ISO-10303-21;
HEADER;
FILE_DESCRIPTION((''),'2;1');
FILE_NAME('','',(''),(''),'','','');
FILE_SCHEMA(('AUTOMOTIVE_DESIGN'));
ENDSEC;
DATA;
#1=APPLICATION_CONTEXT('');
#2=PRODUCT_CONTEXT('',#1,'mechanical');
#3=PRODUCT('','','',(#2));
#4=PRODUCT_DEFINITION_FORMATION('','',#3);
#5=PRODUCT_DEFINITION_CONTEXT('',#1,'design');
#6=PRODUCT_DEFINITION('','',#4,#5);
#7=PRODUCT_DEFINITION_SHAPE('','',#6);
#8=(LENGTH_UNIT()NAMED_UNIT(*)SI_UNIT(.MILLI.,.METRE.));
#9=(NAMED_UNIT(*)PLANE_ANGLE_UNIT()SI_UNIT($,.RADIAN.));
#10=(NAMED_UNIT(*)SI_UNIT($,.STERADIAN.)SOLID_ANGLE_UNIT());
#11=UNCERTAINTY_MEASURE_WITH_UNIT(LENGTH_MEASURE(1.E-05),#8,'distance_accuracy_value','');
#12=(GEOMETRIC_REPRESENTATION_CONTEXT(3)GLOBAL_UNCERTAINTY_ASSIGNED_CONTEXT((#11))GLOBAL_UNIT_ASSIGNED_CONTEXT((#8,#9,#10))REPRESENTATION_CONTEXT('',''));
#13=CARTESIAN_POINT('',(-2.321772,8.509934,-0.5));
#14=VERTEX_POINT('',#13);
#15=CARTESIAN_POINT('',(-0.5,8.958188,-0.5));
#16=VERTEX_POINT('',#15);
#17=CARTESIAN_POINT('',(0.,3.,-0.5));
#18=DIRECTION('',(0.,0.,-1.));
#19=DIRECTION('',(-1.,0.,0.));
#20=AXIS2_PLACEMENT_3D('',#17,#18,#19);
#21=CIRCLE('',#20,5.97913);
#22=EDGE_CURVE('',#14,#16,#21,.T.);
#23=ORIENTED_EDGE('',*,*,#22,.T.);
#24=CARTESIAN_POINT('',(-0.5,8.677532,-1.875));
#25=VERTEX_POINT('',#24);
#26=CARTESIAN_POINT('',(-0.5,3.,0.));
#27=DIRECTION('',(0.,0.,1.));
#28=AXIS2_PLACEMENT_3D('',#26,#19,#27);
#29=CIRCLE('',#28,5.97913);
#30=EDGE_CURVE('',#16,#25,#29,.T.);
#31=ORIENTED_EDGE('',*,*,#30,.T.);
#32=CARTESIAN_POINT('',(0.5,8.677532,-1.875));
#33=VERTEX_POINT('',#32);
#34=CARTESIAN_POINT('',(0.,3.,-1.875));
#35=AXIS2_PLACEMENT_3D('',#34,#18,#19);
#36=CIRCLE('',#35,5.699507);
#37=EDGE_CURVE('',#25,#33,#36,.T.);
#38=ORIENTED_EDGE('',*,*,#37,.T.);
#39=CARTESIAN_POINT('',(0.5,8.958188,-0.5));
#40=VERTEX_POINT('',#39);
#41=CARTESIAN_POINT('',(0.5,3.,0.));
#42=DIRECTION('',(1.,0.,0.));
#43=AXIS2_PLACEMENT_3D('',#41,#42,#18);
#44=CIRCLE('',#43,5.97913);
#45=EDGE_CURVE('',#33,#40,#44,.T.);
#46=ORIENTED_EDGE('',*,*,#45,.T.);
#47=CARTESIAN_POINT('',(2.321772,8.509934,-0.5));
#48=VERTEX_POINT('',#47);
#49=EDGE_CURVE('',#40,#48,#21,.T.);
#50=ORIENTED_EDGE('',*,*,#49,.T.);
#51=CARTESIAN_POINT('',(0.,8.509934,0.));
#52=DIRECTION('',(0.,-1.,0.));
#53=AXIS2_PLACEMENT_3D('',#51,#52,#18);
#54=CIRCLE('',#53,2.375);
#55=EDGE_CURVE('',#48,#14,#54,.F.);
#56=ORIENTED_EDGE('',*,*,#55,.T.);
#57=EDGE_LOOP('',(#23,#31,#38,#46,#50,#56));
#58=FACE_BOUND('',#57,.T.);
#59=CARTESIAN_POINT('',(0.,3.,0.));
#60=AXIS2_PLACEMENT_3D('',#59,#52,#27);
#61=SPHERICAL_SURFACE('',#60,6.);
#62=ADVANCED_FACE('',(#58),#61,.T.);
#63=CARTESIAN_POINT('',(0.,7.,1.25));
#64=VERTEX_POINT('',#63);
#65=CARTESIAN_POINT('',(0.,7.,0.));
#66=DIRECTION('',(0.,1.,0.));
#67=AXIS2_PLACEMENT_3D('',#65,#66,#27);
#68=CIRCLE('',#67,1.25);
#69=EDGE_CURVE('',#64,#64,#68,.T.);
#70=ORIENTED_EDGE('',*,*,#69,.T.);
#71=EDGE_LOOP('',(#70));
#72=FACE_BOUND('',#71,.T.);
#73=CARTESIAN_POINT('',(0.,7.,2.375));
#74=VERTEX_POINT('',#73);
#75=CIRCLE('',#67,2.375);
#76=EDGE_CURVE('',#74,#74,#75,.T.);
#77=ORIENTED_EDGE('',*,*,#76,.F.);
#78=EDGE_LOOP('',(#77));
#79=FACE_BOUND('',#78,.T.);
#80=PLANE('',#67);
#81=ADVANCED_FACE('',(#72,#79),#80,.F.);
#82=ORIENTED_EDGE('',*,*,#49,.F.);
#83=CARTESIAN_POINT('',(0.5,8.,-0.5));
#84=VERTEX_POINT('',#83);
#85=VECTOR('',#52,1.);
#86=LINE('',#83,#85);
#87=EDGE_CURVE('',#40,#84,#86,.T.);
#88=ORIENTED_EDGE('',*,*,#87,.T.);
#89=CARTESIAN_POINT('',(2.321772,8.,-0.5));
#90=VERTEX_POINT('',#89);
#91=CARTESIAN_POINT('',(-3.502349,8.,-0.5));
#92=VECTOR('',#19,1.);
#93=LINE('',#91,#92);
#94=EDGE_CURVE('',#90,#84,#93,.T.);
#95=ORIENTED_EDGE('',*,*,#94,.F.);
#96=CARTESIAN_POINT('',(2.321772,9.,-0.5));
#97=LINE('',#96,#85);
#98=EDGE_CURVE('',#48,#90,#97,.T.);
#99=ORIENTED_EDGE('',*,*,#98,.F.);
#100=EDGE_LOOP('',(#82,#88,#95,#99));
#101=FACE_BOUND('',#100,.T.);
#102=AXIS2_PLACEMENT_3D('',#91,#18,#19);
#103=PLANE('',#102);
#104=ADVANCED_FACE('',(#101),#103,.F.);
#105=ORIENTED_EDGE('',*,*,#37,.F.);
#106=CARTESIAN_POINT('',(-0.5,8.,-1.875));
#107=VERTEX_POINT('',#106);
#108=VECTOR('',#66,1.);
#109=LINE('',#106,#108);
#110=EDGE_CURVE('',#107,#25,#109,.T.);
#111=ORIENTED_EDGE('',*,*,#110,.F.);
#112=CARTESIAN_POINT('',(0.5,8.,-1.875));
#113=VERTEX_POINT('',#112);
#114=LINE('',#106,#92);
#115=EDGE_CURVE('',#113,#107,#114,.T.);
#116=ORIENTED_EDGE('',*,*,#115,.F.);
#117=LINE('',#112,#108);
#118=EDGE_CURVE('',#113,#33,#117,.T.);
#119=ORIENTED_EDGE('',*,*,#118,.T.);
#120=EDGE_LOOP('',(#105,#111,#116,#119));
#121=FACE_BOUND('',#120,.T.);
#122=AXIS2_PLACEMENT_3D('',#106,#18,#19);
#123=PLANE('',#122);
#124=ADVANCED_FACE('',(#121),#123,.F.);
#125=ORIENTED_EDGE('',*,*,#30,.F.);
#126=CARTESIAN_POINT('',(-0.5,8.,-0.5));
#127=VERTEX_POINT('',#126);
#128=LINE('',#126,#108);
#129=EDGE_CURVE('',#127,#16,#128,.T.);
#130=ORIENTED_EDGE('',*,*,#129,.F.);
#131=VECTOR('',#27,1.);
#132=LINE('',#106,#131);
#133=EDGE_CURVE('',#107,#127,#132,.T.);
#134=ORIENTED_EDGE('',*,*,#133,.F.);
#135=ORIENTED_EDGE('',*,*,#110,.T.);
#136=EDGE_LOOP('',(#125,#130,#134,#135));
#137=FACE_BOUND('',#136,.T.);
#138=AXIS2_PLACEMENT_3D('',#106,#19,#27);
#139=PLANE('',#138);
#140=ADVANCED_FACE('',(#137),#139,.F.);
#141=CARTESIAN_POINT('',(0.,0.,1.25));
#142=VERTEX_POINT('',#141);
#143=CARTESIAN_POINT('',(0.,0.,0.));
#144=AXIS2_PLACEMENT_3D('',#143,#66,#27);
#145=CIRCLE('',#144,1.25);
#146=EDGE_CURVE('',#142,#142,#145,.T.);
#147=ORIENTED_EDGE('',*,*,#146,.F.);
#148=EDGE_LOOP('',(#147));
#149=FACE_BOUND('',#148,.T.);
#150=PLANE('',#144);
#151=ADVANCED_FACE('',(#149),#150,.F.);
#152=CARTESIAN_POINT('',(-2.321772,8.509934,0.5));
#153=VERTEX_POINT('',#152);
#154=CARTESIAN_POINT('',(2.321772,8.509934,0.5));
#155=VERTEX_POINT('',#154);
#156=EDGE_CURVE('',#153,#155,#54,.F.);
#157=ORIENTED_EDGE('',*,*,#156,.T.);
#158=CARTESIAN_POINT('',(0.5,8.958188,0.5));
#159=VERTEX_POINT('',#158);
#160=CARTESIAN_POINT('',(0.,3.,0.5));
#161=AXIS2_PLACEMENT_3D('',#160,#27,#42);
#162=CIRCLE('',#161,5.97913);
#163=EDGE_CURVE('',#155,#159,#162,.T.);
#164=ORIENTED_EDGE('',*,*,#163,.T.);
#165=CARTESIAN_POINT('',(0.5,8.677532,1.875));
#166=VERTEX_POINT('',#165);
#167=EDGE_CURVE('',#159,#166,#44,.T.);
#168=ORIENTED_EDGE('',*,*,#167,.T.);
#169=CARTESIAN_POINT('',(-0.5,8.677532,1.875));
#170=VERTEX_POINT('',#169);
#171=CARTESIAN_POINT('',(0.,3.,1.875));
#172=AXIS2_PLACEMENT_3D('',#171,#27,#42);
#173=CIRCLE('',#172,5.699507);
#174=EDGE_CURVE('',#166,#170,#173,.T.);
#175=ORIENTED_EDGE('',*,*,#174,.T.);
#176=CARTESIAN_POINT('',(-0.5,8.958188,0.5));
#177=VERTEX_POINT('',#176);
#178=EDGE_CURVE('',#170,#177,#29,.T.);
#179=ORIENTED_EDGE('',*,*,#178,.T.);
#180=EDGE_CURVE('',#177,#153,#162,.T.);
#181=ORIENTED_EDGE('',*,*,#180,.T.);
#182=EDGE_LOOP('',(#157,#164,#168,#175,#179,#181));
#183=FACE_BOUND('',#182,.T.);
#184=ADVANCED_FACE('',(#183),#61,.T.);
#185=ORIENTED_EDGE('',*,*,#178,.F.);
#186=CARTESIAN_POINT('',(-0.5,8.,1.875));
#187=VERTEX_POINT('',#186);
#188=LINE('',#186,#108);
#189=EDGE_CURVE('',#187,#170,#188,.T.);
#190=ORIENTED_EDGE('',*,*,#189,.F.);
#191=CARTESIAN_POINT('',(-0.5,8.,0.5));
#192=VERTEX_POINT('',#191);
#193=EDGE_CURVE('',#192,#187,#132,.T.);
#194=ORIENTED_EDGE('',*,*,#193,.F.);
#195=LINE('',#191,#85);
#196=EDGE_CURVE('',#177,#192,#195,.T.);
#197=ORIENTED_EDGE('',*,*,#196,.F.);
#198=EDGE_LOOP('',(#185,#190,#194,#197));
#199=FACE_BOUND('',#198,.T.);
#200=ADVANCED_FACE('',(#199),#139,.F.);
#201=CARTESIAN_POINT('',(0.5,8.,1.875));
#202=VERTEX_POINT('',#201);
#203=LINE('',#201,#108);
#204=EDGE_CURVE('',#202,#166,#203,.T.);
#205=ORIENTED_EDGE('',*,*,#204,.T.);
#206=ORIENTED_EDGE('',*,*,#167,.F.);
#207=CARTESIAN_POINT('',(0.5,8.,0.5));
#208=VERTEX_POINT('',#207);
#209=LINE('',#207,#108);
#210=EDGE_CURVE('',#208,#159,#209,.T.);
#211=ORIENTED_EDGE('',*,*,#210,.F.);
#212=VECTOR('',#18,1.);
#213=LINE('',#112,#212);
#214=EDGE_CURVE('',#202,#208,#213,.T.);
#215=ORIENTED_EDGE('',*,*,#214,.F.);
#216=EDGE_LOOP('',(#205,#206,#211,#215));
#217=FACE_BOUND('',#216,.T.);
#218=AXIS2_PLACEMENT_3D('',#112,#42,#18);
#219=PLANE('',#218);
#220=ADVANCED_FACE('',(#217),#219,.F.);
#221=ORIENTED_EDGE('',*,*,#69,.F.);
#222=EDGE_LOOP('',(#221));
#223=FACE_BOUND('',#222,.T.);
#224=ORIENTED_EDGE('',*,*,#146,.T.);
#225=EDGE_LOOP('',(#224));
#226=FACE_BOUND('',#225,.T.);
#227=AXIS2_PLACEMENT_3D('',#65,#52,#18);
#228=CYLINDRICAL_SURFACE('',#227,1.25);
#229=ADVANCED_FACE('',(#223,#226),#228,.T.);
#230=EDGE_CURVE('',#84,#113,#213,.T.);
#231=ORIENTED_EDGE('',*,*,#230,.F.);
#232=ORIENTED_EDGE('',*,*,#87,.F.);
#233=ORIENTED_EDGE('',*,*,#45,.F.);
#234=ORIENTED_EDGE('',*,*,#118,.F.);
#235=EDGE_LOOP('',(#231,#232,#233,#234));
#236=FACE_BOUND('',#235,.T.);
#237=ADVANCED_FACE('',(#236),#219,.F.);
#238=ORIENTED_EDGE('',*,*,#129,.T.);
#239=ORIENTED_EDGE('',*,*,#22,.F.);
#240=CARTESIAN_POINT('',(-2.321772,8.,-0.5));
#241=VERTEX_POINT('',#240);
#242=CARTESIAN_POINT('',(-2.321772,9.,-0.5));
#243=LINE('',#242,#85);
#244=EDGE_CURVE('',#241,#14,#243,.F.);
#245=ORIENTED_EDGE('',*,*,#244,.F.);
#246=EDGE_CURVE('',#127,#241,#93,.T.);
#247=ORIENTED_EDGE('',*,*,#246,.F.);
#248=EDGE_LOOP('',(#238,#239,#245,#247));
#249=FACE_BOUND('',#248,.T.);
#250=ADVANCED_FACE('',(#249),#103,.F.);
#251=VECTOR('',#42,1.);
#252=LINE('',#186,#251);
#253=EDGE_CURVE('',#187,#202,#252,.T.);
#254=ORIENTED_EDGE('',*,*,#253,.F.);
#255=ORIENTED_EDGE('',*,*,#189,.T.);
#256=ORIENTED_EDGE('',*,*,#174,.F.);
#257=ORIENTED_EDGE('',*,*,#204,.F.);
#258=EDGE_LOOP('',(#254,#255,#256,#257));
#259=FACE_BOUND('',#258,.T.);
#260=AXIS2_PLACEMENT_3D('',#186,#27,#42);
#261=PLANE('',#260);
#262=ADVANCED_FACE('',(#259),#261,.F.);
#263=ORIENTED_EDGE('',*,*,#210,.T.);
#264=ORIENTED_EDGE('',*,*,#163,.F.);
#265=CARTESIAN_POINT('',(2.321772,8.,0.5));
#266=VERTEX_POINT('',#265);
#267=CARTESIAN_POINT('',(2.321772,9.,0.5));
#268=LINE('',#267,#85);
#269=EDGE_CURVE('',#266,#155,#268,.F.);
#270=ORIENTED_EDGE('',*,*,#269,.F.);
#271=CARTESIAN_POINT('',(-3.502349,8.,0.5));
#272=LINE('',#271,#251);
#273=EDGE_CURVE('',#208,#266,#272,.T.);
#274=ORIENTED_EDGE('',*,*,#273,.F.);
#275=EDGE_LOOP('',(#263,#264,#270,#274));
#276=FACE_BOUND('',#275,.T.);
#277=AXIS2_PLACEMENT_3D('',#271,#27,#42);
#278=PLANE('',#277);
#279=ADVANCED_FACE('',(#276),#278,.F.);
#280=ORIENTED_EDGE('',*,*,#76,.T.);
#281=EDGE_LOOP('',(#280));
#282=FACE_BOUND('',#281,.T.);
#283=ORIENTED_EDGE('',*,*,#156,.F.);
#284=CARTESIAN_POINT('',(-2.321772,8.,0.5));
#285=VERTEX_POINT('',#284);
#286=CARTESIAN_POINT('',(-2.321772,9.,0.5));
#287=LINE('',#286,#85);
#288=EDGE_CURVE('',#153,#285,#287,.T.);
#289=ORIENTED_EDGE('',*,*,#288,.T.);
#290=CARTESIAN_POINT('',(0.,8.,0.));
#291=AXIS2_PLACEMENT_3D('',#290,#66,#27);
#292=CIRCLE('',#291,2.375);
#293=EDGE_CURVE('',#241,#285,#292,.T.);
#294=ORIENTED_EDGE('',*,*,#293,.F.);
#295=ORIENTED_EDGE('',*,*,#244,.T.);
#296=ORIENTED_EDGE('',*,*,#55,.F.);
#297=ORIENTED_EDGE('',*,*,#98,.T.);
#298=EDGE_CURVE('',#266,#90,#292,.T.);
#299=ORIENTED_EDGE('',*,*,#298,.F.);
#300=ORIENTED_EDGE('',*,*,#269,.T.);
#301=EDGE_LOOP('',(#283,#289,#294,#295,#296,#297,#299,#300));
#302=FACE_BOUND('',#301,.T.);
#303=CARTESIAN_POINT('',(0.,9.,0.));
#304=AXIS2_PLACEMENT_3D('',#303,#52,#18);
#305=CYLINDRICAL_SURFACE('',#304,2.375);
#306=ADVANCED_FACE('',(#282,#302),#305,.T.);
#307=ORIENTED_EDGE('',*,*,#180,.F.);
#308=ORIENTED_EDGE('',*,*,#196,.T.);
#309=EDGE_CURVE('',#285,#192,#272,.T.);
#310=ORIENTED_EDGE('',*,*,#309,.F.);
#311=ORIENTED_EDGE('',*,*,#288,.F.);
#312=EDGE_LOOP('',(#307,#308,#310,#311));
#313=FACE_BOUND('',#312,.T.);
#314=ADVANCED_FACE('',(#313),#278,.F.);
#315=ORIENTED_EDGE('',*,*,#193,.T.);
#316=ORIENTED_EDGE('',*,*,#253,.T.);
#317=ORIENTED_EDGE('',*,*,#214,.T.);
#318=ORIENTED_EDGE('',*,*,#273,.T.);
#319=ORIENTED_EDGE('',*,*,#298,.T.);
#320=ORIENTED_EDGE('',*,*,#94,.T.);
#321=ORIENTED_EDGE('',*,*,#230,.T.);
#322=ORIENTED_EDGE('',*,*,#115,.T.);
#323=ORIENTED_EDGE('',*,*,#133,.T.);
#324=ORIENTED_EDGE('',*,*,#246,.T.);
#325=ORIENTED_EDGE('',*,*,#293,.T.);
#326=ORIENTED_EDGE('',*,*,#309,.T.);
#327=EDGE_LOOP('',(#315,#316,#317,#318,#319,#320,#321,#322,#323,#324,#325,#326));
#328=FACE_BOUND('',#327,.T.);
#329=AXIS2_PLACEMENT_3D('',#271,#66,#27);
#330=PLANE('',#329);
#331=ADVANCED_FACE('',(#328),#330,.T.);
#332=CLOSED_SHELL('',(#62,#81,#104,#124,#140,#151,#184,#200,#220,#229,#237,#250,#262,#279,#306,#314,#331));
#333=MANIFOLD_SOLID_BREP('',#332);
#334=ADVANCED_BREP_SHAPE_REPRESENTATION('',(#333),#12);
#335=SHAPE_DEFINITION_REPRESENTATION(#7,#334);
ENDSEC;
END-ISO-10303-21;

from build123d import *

# Parameters (mm, degrees)
SKETCH_1_R          = 1.25
EXTRUDE_1_DEPTH     = 7
SKETCH_2_R          = 2.375
EXTRUDE_2_DEPTH     = 2
SKETCH_3_W          = 7.004697232
SKETCH_3_H          = 1
CUT_EXTRUDE_1_DEPTH = 1
SKETCH_4_W          = 1
SKETCH_4_H          = 3.75
CUT_EXTRUDE_2_DEPTH = 1


with BuildPart() as part:
    # 草图1 → 拉伸1 (new body)
    with BuildSketch(Plane(origin=(0, 0, 0), x_dir=(1, 0, 0), z_dir=(0, 1, 0))):
        with Locations(Location((0, 0, 0), (0, 0, 270))):
            Circle(SKETCH_1_R)
    extrude(amount=EXTRUDE_1_DEPTH)

    # 草图2 → 拉伸2 (add)
    with BuildSketch(Plane(origin=(0, 7, 0), x_dir=(-1, 0, 0), z_dir=(0, 1, 0))):
        with Locations(Location((0, 0, 0), (0, 0, 90))):
            Circle(SKETCH_2_R)
    extrude(amount=EXTRUDE_2_DEPTH)

    # 草图3 → 切除-拉伸1 (cut)
    with BuildSketch(Plane(origin=(0, 9, 0), x_dir=(-1, 0, 0), z_dir=(0, 1, 0))):
        Rectangle(SKETCH_3_W, SKETCH_3_H)
    extrude(amount=-CUT_EXTRUDE_1_DEPTH, mode=Mode.SUBTRACT)

    # 草图4 → 切除-拉伸2 (cut)
    with BuildSketch(Plane(origin=(0, 9, 0), x_dir=(-1, 0, 0), z_dir=(0, 1, 0))):
        Rectangle(SKETCH_4_W, SKETCH_4_H)
    extrude(amount=-CUT_EXTRUDE_2_DEPTH, mode=Mode.SUBTRACT)

    # 草图5 → 切除-旋转16 (revolve, cut)
    with BuildSketch(Plane(origin=(0, 0, 0), x_dir=(0, 0, -1), z_dir=(1, 0, 0)), mode=Mode.PRIVATE) as cut_revolve_16_sk:
        with BuildLine():
            Line((0, 10.999822694), (-4.5493707, 10.999822694))
            Line((-4.5493707, 10.999822694), (-4.5493707, 6.911933822))
            ThreePointArc((-4.5493707, 6.911933822), (-2.502838096, 8.453054325), (0, 9))
            Line((0, 9), (0, 10.999822694))
        make_face()
    revolve(cut_revolve_16_sk.sketch.rotate(Axis((0, -2.105917543, 0), (0, 1, 0)), 257.846802531), axis=Axis((0, -2.105917543, 0), (0, 1, 0)), mode=Mode.SUBTRACT)


solid = part.part
